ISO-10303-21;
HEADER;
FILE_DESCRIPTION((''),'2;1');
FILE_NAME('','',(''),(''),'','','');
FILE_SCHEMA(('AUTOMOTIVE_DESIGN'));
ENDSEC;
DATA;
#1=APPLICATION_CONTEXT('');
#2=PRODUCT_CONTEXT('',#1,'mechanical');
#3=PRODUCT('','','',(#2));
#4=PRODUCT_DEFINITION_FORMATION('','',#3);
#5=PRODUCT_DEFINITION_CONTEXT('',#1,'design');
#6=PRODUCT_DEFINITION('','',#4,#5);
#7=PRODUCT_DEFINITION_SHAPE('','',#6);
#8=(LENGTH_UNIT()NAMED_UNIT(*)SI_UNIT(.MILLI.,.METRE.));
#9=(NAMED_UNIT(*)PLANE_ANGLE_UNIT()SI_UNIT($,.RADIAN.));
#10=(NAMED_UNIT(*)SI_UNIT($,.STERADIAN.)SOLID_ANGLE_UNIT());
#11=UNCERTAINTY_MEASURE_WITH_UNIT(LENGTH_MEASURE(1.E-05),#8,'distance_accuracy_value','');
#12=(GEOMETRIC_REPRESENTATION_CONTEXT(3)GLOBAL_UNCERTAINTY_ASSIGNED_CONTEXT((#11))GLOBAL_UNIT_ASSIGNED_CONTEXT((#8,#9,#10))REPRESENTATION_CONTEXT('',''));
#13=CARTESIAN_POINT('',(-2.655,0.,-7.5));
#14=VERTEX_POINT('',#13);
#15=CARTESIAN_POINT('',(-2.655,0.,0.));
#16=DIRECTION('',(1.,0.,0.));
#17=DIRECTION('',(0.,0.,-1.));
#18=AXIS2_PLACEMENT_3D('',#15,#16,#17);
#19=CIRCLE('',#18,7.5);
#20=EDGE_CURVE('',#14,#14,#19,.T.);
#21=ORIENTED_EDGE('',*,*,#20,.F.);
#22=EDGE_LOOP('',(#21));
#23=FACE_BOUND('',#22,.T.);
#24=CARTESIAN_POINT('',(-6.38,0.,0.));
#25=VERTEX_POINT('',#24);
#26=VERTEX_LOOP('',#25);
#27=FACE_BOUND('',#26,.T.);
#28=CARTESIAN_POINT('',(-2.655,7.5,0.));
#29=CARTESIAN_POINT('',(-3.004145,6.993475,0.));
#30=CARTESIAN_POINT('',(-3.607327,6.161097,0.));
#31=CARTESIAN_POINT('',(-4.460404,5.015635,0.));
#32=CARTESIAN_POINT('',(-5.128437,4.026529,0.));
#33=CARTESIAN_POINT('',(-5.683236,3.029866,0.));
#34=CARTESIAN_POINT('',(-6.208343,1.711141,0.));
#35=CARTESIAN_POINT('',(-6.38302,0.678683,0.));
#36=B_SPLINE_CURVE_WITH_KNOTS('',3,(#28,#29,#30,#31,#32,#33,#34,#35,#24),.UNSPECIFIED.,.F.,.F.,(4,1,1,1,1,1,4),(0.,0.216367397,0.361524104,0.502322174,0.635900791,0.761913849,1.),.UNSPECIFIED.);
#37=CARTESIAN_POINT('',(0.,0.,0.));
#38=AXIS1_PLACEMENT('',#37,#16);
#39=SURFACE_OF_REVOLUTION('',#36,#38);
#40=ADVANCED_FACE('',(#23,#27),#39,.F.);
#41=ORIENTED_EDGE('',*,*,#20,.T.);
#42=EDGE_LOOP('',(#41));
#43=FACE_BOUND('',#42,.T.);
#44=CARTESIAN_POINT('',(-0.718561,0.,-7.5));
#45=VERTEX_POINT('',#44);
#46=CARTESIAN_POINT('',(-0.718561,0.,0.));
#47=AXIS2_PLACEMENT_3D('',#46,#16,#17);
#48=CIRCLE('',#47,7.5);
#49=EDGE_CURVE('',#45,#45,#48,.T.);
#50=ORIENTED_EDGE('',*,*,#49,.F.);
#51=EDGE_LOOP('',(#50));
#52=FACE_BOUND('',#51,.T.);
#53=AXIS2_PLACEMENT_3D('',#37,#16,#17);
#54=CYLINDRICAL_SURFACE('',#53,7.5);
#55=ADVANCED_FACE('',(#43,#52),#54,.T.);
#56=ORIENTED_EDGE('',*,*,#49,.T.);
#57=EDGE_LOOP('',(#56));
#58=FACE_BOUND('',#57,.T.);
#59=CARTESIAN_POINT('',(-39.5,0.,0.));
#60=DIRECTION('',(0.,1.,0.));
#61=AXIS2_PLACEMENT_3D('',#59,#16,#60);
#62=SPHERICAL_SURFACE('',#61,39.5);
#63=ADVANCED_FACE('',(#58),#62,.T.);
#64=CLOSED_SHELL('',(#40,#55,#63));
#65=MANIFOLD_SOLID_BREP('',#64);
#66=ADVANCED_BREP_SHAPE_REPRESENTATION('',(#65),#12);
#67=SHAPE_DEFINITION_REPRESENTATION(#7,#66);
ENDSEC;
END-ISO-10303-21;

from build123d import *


with BuildPart() as part:
    # Sketch1 → Revolve1 (revolve)
    with BuildSketch(Plane.XY):
        with BuildLine():
            Line((-2.655, 7.5), (-0.718561141, 7.5))
            ThreePointArc((-0.718561141, 7.5), (-0.180050643, 3.767171688), (0, 0))
            Line((0, 0), (-6.38, 0))
            add(Edge.make_bspline(
                [(-2.655, 7.5), (-3.004144627, 6.993475019), (-3.607326921, 6.161097428), (-4.460404437, 5.015634902), (-5.128436689, 4.026528927), (-5.683236496, 3.02986636), (-6.208342702, 1.711140707), (-6.383019912, 0.678682655), (-6.38, 0)],
                knots=[0, 0, 0, 0, 0.216367397, 0.361524104, 0.502322174, 0.635900791, 0.761913849, 1, 1, 1, 1], degree=3))
        make_face()
    revolve(axis=Axis((0, 0, 0), (-1, 0, 0)))


solid = part.part
